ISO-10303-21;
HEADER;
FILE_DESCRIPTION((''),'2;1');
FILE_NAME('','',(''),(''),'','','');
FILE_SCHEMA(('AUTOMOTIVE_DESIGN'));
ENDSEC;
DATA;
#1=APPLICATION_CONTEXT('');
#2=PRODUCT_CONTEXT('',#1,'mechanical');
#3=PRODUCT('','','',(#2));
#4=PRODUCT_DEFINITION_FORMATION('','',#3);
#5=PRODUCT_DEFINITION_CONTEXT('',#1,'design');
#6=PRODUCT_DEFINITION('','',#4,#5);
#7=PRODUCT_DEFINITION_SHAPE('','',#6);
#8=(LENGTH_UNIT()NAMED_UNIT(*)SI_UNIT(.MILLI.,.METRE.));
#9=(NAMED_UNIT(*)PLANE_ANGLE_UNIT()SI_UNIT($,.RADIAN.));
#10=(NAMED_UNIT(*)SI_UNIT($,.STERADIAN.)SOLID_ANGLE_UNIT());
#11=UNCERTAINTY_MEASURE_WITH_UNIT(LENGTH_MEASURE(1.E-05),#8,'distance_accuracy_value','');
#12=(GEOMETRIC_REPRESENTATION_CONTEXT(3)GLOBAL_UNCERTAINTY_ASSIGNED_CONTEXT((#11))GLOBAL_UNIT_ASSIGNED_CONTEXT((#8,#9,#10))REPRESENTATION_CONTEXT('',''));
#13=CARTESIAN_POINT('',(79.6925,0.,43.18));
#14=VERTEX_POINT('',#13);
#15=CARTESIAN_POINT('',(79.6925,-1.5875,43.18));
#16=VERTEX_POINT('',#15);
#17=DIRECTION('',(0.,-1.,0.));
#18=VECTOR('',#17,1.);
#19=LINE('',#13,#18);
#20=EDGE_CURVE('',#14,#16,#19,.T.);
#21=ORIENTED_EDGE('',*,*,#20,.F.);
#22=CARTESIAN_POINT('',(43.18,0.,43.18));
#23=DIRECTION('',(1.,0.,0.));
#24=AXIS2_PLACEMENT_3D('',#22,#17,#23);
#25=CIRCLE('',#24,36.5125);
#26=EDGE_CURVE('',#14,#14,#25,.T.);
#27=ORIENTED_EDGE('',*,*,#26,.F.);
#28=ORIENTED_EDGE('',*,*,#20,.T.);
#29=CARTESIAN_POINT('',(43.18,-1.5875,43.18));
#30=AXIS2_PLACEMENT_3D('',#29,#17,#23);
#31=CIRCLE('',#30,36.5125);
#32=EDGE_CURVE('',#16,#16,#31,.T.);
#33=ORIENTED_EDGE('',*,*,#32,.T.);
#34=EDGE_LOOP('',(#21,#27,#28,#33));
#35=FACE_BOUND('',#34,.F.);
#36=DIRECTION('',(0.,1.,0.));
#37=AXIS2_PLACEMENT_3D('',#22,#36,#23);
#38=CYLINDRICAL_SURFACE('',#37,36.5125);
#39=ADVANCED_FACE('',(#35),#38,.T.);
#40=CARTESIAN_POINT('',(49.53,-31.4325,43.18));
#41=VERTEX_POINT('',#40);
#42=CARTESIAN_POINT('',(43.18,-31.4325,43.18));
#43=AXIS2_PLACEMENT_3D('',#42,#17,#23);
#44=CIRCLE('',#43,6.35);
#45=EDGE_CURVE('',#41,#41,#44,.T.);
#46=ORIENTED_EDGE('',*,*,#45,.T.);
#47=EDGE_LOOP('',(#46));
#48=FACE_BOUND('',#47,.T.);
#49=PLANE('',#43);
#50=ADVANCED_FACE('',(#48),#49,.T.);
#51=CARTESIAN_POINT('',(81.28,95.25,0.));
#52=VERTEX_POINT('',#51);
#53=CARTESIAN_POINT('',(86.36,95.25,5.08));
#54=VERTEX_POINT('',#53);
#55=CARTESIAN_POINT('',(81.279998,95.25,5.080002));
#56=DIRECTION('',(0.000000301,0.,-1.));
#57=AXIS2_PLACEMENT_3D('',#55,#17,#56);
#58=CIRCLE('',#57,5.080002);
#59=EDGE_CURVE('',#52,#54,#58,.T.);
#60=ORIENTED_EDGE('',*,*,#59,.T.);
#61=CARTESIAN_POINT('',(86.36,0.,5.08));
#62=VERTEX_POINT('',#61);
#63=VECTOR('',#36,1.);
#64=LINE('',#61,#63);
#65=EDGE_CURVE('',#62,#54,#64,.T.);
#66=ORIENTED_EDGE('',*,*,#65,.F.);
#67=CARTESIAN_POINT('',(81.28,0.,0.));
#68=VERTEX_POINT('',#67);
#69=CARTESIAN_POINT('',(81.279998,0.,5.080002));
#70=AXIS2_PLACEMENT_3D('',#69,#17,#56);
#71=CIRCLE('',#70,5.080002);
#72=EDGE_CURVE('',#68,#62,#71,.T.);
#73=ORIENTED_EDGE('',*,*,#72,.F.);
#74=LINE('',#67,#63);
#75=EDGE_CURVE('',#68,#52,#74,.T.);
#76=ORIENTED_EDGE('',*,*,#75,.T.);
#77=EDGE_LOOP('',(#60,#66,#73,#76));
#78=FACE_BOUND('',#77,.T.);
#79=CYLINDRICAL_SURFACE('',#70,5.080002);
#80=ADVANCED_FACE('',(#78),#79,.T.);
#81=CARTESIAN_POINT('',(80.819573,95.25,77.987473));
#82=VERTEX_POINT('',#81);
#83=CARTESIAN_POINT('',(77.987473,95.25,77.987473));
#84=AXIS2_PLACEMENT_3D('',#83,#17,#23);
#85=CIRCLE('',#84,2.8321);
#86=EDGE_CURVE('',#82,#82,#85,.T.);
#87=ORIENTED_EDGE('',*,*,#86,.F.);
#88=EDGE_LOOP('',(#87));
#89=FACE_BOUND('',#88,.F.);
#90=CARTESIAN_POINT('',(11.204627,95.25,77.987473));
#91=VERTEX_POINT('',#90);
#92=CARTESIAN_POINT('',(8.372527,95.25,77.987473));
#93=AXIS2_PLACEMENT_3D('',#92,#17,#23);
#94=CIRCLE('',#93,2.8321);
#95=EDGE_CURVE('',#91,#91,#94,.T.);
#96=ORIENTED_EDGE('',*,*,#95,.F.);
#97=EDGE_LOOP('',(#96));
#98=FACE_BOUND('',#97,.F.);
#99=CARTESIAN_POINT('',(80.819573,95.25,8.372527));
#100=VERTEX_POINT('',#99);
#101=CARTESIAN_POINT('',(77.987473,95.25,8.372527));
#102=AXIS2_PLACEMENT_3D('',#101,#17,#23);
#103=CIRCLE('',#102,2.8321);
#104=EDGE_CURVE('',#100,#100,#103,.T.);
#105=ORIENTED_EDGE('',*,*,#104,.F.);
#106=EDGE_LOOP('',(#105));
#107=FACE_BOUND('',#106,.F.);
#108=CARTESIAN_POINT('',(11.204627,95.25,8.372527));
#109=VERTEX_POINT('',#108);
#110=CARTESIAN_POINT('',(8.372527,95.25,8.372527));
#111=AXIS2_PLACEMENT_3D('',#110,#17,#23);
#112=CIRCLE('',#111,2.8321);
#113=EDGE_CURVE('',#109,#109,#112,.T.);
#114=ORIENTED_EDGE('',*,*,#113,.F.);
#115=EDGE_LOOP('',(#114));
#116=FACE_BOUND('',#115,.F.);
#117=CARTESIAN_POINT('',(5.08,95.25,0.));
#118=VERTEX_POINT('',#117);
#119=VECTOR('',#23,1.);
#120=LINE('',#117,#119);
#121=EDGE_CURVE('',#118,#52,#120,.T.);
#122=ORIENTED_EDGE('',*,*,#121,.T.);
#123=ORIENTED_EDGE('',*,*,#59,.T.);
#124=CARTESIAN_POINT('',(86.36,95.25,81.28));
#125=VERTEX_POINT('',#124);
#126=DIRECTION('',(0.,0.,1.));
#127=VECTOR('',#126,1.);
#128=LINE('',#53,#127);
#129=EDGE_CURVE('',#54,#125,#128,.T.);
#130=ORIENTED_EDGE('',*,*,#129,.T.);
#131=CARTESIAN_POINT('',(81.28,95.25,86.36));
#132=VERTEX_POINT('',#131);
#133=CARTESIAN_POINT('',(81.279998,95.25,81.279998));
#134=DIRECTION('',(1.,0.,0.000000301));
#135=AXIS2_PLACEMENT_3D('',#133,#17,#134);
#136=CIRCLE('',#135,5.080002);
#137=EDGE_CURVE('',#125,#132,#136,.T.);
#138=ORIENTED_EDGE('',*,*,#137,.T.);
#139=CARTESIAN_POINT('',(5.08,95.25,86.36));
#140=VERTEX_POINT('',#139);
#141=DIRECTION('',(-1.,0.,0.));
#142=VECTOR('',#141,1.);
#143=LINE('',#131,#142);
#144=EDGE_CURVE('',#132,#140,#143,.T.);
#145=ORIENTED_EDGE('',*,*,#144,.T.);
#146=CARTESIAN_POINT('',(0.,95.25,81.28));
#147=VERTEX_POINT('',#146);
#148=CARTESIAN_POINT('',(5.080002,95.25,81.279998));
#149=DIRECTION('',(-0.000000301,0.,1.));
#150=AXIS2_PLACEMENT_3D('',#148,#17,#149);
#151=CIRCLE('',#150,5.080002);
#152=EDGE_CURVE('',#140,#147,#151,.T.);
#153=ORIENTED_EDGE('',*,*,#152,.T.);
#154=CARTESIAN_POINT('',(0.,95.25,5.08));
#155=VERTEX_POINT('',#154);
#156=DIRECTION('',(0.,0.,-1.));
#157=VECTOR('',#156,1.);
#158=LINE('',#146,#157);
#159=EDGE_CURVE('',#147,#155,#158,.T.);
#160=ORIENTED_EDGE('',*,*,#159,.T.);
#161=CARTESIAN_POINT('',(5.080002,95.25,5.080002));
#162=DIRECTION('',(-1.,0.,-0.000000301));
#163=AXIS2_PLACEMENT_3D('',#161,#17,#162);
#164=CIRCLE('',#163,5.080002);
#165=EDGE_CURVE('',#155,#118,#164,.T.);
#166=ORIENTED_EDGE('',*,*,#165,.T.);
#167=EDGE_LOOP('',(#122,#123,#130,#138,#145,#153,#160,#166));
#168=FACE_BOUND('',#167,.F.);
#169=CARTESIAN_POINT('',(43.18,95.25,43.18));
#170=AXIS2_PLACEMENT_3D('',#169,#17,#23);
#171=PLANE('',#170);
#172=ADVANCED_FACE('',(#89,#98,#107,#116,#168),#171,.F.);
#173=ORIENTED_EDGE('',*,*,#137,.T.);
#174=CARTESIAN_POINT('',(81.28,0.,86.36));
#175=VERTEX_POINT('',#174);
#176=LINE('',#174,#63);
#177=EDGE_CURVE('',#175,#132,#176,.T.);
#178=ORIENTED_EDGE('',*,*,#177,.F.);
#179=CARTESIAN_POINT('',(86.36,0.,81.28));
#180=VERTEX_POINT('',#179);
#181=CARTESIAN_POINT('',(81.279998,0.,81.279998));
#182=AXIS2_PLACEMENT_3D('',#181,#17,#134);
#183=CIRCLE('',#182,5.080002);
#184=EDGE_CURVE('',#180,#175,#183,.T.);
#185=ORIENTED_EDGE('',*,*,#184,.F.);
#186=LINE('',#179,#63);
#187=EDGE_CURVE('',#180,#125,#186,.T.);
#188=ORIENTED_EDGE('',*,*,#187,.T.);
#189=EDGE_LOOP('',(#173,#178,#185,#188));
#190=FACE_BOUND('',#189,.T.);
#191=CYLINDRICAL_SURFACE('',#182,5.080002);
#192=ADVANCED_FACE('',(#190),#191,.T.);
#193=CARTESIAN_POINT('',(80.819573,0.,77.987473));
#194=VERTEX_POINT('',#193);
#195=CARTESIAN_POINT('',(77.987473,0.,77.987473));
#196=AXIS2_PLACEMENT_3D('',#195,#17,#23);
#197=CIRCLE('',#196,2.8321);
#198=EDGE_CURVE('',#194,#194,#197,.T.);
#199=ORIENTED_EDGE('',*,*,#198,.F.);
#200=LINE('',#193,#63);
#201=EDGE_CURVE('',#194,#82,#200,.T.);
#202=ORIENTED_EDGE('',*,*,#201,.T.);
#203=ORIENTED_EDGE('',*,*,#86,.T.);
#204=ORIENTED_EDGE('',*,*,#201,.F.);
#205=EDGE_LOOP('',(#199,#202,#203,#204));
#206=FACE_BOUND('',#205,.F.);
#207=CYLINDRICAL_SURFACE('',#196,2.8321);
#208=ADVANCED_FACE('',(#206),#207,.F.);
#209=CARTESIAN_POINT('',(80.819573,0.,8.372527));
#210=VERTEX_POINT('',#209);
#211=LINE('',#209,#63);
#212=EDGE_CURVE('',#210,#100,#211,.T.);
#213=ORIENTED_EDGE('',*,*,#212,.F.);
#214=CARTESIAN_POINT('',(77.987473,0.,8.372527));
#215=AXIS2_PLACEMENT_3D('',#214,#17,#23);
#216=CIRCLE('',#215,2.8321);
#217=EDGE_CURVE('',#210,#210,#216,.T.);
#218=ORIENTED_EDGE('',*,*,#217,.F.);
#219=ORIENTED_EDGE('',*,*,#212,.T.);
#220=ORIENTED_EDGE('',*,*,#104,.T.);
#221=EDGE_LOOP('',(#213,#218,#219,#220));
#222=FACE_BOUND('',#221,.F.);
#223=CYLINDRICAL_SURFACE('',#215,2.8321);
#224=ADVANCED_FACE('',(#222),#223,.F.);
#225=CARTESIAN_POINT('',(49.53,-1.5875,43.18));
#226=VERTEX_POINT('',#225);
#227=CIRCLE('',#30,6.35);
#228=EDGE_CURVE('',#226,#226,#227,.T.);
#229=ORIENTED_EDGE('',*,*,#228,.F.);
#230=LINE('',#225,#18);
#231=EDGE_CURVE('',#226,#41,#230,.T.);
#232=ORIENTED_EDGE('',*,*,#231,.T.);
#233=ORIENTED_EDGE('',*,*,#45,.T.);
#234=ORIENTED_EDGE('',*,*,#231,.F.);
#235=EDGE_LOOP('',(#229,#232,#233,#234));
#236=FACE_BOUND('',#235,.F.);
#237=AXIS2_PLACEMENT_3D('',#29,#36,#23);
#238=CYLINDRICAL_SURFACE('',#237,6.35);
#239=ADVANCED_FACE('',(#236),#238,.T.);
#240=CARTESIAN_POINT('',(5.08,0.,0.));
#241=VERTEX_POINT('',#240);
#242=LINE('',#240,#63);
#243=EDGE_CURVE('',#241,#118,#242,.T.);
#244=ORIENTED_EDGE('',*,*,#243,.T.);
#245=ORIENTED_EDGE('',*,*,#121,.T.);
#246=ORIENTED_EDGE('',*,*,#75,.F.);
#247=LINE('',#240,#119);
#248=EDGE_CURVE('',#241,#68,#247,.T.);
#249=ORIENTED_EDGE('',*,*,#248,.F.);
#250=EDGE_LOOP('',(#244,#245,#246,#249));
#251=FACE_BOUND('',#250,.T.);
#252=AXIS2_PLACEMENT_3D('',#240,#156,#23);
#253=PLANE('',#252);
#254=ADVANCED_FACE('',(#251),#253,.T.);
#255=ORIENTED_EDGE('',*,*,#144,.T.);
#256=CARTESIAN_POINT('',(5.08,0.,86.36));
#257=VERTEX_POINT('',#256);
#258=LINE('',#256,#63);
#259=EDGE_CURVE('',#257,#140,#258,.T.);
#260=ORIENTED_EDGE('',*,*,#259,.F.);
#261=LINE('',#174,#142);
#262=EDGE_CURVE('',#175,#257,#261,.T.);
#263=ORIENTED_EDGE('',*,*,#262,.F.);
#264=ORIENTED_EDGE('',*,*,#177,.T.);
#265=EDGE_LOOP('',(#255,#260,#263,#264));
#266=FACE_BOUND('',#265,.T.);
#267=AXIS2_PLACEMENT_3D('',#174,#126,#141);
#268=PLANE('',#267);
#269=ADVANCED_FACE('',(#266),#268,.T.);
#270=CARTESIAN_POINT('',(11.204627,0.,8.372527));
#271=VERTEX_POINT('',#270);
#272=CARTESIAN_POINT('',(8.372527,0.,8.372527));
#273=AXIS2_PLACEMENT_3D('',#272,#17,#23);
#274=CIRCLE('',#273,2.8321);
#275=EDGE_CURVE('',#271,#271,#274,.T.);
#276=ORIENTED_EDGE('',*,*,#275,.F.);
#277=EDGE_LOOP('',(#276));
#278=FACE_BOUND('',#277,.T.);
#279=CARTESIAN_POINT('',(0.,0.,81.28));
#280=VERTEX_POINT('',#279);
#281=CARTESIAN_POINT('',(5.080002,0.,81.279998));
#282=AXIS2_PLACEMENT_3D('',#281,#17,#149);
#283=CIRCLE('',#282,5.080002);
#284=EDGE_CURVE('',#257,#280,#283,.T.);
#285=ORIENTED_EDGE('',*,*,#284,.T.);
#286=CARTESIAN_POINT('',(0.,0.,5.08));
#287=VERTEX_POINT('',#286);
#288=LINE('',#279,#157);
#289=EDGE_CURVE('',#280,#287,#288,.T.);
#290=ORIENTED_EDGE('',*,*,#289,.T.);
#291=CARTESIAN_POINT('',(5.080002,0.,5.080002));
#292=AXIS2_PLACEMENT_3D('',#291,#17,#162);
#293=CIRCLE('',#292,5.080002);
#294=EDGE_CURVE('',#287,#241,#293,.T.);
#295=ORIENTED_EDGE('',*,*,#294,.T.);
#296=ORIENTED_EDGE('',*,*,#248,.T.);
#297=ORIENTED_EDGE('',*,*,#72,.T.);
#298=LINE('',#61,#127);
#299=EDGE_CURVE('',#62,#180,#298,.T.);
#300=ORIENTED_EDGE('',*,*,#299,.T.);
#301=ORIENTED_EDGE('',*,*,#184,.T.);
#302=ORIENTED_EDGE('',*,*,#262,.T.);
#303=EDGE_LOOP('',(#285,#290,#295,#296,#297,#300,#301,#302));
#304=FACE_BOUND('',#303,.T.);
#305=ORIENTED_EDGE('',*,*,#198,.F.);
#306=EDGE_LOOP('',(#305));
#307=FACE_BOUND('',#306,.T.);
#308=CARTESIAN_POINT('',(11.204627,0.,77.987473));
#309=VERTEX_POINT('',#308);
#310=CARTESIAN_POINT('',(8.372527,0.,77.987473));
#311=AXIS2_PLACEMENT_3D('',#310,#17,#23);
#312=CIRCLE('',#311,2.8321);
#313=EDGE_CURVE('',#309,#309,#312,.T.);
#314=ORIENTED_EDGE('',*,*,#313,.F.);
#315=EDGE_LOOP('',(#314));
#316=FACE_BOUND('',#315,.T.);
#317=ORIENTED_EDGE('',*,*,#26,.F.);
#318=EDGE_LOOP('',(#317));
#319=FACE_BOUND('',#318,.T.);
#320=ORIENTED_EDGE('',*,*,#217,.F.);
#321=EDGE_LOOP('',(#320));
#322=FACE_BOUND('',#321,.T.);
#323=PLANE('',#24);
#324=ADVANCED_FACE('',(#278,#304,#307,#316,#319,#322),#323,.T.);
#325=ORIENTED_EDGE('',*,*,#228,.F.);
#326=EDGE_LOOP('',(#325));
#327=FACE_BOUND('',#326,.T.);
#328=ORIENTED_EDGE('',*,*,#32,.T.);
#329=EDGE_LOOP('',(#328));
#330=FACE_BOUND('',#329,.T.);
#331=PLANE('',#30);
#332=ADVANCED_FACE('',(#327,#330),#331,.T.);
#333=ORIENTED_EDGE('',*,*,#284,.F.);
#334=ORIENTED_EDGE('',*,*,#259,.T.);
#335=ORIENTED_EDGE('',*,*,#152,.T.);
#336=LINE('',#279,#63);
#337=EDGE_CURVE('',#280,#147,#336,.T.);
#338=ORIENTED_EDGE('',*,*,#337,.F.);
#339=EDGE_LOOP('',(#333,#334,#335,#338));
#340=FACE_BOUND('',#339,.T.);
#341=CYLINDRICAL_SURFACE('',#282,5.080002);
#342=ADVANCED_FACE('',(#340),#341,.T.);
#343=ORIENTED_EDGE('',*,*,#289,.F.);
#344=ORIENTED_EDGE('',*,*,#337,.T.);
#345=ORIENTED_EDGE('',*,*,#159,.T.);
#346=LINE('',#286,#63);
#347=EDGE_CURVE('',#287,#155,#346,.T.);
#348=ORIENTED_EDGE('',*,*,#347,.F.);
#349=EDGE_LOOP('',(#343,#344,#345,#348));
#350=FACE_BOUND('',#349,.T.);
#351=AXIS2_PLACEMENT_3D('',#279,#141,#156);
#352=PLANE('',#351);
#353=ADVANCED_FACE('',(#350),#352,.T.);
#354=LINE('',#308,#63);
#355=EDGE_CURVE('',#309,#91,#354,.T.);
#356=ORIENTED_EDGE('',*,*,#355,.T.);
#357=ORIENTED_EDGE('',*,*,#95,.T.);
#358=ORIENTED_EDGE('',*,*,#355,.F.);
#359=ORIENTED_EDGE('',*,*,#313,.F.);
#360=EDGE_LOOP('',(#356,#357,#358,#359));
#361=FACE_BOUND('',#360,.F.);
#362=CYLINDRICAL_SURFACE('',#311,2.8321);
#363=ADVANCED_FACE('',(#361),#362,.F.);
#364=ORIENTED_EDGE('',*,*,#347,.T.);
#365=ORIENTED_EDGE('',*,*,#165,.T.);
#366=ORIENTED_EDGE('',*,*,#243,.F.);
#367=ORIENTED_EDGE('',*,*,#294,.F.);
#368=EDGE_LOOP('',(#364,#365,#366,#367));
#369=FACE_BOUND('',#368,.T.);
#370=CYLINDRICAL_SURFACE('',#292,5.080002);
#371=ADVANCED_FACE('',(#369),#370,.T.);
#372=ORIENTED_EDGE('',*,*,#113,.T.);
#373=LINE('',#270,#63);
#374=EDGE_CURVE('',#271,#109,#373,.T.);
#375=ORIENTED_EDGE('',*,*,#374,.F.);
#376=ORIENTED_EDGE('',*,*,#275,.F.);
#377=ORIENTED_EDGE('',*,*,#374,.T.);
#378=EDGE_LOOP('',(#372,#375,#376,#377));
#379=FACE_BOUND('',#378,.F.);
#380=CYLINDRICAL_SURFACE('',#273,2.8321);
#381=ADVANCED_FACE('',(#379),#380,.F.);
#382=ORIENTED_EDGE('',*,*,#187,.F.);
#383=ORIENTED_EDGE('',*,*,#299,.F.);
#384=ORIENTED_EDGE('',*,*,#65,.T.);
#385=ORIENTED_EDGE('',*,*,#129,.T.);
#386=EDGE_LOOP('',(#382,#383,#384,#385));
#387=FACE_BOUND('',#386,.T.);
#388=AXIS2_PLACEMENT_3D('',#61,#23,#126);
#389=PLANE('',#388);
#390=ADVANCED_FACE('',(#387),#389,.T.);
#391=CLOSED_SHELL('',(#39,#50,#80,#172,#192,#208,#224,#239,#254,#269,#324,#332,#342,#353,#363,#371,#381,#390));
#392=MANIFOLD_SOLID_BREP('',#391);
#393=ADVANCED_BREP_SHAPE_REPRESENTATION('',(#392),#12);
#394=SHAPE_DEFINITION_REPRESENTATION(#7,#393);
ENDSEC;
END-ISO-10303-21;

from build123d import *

# Parameters (mm, degrees)
F0_R     = 2.8321
F1_DEPTH = 95.25
F2_R     = 36.5125
F3_DEPTH = 1.5875
F4_R     = 6.35
F5_DEPTH = 29.845


with BuildPart() as f1:
    # F0 (on Front) → F1 (new body)
    with BuildSketch(Plane.XZ):
        with BuildLine():
            ThreePointArc((0, 5.08), (1.487898, 1.487898), (5.08, 0))
            Line((5.08, 0), (81.28, 0))
            ThreePointArc((81.28, 0), (84.872102, 1.487898), (86.36, 5.08))
            Line((86.36, 5.08), (86.36, 81.28))
            ThreePointArc((86.36, 81.28), (84.872102, 84.872102), (81.28, 86.36))
            Line((81.28, 86.36), (5.08, 86.36))
            ThreePointArc((5.08, 86.36), (1.487898, 84.872102), (0, 81.28))
            Line((0, 81.28), (0, 5.08))
        make_face()
        with Locations((8.372527, 8.372527)):
            Circle(F0_R, mode=Mode.SUBTRACT)
        with Locations((77.987473, 8.372527)):
            Circle(F0_R, mode=Mode.SUBTRACT)
        with Locations((8.372527, 77.987473)):
            Circle(F0_R, mode=Mode.SUBTRACT)
        with Locations((77.987473, 77.987473)):
            Circle(F0_R, mode=Mode.SUBTRACT)
    extrude(amount=-F1_DEPTH)

    # F2 (on face) → F3 (join)
    with BuildSketch(Plane.XZ):
        with Locations((43.18, 43.18)):
            Circle(F2_R)
    extrude(amount=F3_DEPTH)

    # F4 (on face) → F5 (join)
    with BuildSketch(Plane.XZ.offset(1.5875)):
        with Locations((43.18, 43.18)):
            Circle(F4_R)
    extrude(amount=F5_DEPTH)


solid = f1.part
